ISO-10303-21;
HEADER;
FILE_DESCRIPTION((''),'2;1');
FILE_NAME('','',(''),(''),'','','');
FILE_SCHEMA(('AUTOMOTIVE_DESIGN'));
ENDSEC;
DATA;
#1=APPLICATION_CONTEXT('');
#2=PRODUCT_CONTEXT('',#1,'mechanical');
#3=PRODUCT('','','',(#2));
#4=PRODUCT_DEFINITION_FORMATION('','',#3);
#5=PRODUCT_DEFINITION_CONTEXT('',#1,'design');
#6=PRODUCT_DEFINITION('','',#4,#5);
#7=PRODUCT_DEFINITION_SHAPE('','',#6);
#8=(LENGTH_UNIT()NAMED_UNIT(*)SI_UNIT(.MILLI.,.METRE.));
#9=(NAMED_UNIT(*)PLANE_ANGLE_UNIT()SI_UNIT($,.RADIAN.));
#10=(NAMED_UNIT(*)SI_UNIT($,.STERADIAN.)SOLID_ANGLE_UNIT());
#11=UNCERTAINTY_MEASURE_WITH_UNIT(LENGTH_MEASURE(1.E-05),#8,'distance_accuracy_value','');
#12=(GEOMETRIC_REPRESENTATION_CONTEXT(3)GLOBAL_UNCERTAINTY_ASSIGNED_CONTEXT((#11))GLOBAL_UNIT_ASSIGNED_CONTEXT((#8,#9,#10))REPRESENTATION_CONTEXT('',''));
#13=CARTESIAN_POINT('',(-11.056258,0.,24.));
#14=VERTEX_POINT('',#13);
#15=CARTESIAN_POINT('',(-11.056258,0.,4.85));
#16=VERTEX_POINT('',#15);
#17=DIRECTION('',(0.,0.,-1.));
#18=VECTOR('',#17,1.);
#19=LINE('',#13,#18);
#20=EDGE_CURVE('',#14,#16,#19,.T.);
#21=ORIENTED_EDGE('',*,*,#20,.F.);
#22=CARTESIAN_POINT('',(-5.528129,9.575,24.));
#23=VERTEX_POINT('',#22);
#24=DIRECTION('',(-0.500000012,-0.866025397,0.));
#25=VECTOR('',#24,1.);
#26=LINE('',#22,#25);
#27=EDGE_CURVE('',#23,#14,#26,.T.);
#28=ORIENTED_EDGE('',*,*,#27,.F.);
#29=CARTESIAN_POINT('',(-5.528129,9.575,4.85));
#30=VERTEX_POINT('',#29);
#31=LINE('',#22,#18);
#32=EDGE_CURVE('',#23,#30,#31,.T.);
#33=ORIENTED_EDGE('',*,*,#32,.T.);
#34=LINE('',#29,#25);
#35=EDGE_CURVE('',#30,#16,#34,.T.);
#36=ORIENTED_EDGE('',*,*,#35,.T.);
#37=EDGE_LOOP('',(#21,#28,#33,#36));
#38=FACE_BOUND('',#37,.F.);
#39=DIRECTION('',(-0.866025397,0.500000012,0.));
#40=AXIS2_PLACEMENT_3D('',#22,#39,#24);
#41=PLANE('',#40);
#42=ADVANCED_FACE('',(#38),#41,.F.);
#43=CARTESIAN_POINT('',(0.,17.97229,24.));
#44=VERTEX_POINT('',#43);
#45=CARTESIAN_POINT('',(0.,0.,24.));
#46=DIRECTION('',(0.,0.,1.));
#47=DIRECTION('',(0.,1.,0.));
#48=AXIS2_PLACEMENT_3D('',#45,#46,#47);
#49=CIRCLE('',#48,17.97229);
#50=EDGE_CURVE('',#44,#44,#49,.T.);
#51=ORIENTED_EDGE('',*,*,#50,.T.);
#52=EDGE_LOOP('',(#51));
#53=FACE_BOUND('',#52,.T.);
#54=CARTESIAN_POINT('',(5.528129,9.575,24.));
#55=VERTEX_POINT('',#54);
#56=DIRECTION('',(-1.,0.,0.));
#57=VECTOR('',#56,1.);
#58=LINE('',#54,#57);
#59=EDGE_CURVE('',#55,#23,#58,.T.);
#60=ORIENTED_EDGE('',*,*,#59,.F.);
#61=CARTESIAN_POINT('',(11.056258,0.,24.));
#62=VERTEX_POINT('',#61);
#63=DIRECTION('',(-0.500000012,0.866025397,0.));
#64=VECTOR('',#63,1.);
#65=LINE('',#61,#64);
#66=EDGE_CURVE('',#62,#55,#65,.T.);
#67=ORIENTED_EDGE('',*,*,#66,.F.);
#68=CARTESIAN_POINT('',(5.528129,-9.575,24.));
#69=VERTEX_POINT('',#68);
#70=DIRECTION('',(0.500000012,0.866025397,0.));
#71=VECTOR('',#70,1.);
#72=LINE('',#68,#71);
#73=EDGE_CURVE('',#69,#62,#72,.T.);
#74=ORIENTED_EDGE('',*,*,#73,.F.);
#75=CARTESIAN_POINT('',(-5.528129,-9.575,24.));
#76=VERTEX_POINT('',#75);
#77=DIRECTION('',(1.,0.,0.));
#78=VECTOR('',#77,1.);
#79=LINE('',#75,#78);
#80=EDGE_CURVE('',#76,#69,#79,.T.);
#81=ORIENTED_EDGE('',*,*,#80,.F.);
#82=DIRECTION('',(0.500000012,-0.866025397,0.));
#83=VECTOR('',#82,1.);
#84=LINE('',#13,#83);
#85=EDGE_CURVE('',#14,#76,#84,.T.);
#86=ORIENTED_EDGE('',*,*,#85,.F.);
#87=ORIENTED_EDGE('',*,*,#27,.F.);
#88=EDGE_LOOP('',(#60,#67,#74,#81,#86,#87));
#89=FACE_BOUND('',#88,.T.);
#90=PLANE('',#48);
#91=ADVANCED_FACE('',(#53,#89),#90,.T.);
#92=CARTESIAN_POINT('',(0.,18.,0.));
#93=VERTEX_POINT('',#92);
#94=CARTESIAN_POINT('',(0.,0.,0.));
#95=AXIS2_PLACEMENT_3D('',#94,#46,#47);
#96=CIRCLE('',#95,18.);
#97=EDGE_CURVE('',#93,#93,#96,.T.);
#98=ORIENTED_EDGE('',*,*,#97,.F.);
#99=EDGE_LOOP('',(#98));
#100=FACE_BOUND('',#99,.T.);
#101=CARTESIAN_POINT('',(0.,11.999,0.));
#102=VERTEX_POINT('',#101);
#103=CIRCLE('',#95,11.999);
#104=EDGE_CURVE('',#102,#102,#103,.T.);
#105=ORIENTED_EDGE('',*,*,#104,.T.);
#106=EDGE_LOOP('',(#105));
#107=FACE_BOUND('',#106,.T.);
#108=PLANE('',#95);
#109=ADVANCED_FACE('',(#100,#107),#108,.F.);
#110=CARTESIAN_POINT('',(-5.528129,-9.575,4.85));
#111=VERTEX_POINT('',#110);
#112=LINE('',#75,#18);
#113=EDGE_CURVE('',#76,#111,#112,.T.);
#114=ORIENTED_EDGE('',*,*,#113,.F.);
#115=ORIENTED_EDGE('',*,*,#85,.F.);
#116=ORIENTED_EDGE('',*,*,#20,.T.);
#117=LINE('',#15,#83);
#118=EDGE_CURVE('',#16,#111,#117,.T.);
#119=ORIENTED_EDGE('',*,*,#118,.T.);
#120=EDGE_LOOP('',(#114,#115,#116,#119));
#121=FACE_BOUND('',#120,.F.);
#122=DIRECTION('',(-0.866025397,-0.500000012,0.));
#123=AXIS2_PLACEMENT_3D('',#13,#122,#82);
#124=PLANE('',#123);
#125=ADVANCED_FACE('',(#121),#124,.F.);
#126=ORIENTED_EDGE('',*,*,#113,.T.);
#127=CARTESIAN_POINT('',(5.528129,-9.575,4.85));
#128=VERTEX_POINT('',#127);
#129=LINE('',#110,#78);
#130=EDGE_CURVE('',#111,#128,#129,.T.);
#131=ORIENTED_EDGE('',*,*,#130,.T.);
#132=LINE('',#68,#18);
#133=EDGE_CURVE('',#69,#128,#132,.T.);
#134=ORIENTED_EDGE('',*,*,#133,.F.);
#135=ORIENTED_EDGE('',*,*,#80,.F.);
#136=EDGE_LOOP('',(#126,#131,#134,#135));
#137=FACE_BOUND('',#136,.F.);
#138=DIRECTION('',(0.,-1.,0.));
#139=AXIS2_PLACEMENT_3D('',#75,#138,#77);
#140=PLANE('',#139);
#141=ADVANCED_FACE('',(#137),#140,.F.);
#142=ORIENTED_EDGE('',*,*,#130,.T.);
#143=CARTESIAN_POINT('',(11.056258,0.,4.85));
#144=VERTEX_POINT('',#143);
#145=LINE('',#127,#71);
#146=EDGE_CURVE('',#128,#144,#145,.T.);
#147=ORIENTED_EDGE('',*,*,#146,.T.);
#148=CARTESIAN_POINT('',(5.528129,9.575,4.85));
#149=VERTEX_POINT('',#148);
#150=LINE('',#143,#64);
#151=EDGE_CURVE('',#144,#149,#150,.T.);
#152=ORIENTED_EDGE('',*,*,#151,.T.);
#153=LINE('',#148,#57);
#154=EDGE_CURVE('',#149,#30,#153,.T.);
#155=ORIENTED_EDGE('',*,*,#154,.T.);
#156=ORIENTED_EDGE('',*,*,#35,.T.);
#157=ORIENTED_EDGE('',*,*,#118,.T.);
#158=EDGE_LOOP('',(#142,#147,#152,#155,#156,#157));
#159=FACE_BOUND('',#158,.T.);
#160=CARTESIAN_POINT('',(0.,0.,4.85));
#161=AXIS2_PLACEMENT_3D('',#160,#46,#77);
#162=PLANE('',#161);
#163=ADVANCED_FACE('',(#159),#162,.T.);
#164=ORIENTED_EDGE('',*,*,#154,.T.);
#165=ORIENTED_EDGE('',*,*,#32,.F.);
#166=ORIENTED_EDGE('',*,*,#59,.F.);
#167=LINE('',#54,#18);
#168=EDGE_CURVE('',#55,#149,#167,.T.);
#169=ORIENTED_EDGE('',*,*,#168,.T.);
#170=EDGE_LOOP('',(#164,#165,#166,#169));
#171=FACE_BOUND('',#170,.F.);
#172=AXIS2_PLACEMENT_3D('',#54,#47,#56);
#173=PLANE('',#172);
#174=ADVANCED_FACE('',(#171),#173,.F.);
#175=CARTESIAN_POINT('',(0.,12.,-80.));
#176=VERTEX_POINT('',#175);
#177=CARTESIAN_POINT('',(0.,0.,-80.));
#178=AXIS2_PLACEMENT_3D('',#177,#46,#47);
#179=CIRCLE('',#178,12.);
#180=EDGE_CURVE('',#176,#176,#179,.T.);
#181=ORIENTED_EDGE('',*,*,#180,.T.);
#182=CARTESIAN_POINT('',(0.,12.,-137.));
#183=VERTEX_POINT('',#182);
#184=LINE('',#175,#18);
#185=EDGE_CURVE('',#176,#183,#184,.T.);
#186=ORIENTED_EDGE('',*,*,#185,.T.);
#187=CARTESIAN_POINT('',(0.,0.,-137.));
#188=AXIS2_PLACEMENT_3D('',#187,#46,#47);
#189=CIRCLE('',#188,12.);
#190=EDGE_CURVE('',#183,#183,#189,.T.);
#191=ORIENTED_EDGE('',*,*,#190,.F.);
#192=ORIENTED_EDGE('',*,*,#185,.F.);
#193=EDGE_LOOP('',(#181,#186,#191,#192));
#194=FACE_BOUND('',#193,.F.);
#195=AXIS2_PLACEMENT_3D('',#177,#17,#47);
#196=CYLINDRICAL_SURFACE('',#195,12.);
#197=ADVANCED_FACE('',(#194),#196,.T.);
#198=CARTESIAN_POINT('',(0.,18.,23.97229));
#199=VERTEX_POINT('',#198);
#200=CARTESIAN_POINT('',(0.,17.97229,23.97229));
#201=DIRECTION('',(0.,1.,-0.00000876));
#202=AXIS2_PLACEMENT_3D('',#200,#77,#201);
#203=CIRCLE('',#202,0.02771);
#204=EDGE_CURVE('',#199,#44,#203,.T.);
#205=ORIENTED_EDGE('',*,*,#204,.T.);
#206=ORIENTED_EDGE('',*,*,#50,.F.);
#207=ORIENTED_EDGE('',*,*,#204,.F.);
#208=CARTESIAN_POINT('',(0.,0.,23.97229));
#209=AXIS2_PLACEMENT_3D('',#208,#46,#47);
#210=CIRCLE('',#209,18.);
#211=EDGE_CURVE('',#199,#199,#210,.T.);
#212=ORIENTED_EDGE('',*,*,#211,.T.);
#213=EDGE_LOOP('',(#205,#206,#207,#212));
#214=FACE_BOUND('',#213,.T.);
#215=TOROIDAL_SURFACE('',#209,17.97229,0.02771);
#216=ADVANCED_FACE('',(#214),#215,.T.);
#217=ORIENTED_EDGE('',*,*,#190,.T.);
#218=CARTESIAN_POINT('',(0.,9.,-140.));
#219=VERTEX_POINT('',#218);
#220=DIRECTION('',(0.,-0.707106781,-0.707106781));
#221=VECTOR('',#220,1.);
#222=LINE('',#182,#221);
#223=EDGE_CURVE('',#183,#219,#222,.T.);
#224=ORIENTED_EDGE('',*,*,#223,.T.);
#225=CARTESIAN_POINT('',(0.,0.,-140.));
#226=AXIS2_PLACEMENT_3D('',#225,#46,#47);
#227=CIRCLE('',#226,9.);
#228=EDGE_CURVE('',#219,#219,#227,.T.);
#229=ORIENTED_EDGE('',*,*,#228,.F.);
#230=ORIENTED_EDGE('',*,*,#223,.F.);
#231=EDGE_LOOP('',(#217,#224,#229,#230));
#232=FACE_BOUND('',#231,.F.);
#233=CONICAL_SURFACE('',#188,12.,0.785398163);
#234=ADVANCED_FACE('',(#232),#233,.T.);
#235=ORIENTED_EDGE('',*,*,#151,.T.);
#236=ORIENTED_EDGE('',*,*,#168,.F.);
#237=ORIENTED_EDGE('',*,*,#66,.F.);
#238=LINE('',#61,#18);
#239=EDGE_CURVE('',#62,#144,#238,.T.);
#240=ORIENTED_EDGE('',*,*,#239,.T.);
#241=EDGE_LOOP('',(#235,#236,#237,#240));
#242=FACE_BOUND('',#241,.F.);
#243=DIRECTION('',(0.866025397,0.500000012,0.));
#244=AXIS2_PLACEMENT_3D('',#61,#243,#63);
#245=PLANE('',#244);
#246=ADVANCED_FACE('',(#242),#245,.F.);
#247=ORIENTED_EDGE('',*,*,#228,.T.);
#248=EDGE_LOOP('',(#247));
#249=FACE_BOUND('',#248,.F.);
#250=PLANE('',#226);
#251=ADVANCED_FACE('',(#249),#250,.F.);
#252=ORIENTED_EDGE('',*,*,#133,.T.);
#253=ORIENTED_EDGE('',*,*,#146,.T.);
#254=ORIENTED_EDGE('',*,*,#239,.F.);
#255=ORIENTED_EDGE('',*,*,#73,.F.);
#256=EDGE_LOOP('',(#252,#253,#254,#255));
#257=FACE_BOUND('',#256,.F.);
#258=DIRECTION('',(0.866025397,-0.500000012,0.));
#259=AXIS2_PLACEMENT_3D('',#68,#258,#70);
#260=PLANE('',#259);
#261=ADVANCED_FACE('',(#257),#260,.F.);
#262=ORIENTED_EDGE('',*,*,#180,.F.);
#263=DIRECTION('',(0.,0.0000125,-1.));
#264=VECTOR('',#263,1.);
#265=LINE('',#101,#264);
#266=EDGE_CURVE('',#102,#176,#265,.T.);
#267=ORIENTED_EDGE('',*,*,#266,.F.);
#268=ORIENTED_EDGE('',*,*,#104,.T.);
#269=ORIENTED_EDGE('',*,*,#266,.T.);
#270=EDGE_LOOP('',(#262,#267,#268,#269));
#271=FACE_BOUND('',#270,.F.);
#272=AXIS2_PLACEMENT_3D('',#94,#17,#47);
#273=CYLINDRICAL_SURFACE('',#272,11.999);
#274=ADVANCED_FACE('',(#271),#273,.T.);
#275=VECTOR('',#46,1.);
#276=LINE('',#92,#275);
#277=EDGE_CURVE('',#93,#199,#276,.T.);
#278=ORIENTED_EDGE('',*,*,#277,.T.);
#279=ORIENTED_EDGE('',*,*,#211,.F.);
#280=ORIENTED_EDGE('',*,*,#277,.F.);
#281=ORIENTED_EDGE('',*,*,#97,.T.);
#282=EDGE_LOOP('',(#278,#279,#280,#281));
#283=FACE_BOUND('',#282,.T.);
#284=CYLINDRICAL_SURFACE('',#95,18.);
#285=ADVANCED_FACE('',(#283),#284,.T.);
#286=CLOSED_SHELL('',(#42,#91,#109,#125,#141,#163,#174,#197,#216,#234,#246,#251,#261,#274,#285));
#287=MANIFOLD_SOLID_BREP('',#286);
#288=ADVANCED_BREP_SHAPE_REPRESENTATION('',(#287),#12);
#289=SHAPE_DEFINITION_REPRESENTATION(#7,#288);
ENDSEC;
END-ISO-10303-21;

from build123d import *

# Parameters (mm, degrees)
POCKET_DEPTH = 19.15


with BuildPart() as part:
    # Sketch → Revolve (revolve)
    with BuildSketch(Plane.YZ):
        with BuildLine():
            Line((11.999, 0), (18, 0))
            Line((18, 0), (18, 23.97229))
            ThreePointArc((18, 23.97229), (17.991884, 23.991884), (17.97229, 24))
            Line((17.97229, 24), (0, 24))
            Line((0, -140), (0, 24))
            Line((9, -140), (0, -140))
            Line((12, -137), (9, -140))
            Line((12, -80), (12, -137))
            Line((11.999, 0), (12, -80))
        make_face()
    revolve(axis=Axis((0, 0, 0), (0, 0, 1)))

    # Sketch001 → Pocket (cut)
    with BuildSketch(Plane.XY.offset(24)):
        Polygon((11.056258, 0), (5.528129, 9.575), (-5.528129, 9.575), (-11.056258, 0), (-5.528129, -9.575), (5.528129, -9.575), align=None)
    extrude(amount=-POCKET_DEPTH, mode=Mode.SUBTRACT)


solid = part.part
